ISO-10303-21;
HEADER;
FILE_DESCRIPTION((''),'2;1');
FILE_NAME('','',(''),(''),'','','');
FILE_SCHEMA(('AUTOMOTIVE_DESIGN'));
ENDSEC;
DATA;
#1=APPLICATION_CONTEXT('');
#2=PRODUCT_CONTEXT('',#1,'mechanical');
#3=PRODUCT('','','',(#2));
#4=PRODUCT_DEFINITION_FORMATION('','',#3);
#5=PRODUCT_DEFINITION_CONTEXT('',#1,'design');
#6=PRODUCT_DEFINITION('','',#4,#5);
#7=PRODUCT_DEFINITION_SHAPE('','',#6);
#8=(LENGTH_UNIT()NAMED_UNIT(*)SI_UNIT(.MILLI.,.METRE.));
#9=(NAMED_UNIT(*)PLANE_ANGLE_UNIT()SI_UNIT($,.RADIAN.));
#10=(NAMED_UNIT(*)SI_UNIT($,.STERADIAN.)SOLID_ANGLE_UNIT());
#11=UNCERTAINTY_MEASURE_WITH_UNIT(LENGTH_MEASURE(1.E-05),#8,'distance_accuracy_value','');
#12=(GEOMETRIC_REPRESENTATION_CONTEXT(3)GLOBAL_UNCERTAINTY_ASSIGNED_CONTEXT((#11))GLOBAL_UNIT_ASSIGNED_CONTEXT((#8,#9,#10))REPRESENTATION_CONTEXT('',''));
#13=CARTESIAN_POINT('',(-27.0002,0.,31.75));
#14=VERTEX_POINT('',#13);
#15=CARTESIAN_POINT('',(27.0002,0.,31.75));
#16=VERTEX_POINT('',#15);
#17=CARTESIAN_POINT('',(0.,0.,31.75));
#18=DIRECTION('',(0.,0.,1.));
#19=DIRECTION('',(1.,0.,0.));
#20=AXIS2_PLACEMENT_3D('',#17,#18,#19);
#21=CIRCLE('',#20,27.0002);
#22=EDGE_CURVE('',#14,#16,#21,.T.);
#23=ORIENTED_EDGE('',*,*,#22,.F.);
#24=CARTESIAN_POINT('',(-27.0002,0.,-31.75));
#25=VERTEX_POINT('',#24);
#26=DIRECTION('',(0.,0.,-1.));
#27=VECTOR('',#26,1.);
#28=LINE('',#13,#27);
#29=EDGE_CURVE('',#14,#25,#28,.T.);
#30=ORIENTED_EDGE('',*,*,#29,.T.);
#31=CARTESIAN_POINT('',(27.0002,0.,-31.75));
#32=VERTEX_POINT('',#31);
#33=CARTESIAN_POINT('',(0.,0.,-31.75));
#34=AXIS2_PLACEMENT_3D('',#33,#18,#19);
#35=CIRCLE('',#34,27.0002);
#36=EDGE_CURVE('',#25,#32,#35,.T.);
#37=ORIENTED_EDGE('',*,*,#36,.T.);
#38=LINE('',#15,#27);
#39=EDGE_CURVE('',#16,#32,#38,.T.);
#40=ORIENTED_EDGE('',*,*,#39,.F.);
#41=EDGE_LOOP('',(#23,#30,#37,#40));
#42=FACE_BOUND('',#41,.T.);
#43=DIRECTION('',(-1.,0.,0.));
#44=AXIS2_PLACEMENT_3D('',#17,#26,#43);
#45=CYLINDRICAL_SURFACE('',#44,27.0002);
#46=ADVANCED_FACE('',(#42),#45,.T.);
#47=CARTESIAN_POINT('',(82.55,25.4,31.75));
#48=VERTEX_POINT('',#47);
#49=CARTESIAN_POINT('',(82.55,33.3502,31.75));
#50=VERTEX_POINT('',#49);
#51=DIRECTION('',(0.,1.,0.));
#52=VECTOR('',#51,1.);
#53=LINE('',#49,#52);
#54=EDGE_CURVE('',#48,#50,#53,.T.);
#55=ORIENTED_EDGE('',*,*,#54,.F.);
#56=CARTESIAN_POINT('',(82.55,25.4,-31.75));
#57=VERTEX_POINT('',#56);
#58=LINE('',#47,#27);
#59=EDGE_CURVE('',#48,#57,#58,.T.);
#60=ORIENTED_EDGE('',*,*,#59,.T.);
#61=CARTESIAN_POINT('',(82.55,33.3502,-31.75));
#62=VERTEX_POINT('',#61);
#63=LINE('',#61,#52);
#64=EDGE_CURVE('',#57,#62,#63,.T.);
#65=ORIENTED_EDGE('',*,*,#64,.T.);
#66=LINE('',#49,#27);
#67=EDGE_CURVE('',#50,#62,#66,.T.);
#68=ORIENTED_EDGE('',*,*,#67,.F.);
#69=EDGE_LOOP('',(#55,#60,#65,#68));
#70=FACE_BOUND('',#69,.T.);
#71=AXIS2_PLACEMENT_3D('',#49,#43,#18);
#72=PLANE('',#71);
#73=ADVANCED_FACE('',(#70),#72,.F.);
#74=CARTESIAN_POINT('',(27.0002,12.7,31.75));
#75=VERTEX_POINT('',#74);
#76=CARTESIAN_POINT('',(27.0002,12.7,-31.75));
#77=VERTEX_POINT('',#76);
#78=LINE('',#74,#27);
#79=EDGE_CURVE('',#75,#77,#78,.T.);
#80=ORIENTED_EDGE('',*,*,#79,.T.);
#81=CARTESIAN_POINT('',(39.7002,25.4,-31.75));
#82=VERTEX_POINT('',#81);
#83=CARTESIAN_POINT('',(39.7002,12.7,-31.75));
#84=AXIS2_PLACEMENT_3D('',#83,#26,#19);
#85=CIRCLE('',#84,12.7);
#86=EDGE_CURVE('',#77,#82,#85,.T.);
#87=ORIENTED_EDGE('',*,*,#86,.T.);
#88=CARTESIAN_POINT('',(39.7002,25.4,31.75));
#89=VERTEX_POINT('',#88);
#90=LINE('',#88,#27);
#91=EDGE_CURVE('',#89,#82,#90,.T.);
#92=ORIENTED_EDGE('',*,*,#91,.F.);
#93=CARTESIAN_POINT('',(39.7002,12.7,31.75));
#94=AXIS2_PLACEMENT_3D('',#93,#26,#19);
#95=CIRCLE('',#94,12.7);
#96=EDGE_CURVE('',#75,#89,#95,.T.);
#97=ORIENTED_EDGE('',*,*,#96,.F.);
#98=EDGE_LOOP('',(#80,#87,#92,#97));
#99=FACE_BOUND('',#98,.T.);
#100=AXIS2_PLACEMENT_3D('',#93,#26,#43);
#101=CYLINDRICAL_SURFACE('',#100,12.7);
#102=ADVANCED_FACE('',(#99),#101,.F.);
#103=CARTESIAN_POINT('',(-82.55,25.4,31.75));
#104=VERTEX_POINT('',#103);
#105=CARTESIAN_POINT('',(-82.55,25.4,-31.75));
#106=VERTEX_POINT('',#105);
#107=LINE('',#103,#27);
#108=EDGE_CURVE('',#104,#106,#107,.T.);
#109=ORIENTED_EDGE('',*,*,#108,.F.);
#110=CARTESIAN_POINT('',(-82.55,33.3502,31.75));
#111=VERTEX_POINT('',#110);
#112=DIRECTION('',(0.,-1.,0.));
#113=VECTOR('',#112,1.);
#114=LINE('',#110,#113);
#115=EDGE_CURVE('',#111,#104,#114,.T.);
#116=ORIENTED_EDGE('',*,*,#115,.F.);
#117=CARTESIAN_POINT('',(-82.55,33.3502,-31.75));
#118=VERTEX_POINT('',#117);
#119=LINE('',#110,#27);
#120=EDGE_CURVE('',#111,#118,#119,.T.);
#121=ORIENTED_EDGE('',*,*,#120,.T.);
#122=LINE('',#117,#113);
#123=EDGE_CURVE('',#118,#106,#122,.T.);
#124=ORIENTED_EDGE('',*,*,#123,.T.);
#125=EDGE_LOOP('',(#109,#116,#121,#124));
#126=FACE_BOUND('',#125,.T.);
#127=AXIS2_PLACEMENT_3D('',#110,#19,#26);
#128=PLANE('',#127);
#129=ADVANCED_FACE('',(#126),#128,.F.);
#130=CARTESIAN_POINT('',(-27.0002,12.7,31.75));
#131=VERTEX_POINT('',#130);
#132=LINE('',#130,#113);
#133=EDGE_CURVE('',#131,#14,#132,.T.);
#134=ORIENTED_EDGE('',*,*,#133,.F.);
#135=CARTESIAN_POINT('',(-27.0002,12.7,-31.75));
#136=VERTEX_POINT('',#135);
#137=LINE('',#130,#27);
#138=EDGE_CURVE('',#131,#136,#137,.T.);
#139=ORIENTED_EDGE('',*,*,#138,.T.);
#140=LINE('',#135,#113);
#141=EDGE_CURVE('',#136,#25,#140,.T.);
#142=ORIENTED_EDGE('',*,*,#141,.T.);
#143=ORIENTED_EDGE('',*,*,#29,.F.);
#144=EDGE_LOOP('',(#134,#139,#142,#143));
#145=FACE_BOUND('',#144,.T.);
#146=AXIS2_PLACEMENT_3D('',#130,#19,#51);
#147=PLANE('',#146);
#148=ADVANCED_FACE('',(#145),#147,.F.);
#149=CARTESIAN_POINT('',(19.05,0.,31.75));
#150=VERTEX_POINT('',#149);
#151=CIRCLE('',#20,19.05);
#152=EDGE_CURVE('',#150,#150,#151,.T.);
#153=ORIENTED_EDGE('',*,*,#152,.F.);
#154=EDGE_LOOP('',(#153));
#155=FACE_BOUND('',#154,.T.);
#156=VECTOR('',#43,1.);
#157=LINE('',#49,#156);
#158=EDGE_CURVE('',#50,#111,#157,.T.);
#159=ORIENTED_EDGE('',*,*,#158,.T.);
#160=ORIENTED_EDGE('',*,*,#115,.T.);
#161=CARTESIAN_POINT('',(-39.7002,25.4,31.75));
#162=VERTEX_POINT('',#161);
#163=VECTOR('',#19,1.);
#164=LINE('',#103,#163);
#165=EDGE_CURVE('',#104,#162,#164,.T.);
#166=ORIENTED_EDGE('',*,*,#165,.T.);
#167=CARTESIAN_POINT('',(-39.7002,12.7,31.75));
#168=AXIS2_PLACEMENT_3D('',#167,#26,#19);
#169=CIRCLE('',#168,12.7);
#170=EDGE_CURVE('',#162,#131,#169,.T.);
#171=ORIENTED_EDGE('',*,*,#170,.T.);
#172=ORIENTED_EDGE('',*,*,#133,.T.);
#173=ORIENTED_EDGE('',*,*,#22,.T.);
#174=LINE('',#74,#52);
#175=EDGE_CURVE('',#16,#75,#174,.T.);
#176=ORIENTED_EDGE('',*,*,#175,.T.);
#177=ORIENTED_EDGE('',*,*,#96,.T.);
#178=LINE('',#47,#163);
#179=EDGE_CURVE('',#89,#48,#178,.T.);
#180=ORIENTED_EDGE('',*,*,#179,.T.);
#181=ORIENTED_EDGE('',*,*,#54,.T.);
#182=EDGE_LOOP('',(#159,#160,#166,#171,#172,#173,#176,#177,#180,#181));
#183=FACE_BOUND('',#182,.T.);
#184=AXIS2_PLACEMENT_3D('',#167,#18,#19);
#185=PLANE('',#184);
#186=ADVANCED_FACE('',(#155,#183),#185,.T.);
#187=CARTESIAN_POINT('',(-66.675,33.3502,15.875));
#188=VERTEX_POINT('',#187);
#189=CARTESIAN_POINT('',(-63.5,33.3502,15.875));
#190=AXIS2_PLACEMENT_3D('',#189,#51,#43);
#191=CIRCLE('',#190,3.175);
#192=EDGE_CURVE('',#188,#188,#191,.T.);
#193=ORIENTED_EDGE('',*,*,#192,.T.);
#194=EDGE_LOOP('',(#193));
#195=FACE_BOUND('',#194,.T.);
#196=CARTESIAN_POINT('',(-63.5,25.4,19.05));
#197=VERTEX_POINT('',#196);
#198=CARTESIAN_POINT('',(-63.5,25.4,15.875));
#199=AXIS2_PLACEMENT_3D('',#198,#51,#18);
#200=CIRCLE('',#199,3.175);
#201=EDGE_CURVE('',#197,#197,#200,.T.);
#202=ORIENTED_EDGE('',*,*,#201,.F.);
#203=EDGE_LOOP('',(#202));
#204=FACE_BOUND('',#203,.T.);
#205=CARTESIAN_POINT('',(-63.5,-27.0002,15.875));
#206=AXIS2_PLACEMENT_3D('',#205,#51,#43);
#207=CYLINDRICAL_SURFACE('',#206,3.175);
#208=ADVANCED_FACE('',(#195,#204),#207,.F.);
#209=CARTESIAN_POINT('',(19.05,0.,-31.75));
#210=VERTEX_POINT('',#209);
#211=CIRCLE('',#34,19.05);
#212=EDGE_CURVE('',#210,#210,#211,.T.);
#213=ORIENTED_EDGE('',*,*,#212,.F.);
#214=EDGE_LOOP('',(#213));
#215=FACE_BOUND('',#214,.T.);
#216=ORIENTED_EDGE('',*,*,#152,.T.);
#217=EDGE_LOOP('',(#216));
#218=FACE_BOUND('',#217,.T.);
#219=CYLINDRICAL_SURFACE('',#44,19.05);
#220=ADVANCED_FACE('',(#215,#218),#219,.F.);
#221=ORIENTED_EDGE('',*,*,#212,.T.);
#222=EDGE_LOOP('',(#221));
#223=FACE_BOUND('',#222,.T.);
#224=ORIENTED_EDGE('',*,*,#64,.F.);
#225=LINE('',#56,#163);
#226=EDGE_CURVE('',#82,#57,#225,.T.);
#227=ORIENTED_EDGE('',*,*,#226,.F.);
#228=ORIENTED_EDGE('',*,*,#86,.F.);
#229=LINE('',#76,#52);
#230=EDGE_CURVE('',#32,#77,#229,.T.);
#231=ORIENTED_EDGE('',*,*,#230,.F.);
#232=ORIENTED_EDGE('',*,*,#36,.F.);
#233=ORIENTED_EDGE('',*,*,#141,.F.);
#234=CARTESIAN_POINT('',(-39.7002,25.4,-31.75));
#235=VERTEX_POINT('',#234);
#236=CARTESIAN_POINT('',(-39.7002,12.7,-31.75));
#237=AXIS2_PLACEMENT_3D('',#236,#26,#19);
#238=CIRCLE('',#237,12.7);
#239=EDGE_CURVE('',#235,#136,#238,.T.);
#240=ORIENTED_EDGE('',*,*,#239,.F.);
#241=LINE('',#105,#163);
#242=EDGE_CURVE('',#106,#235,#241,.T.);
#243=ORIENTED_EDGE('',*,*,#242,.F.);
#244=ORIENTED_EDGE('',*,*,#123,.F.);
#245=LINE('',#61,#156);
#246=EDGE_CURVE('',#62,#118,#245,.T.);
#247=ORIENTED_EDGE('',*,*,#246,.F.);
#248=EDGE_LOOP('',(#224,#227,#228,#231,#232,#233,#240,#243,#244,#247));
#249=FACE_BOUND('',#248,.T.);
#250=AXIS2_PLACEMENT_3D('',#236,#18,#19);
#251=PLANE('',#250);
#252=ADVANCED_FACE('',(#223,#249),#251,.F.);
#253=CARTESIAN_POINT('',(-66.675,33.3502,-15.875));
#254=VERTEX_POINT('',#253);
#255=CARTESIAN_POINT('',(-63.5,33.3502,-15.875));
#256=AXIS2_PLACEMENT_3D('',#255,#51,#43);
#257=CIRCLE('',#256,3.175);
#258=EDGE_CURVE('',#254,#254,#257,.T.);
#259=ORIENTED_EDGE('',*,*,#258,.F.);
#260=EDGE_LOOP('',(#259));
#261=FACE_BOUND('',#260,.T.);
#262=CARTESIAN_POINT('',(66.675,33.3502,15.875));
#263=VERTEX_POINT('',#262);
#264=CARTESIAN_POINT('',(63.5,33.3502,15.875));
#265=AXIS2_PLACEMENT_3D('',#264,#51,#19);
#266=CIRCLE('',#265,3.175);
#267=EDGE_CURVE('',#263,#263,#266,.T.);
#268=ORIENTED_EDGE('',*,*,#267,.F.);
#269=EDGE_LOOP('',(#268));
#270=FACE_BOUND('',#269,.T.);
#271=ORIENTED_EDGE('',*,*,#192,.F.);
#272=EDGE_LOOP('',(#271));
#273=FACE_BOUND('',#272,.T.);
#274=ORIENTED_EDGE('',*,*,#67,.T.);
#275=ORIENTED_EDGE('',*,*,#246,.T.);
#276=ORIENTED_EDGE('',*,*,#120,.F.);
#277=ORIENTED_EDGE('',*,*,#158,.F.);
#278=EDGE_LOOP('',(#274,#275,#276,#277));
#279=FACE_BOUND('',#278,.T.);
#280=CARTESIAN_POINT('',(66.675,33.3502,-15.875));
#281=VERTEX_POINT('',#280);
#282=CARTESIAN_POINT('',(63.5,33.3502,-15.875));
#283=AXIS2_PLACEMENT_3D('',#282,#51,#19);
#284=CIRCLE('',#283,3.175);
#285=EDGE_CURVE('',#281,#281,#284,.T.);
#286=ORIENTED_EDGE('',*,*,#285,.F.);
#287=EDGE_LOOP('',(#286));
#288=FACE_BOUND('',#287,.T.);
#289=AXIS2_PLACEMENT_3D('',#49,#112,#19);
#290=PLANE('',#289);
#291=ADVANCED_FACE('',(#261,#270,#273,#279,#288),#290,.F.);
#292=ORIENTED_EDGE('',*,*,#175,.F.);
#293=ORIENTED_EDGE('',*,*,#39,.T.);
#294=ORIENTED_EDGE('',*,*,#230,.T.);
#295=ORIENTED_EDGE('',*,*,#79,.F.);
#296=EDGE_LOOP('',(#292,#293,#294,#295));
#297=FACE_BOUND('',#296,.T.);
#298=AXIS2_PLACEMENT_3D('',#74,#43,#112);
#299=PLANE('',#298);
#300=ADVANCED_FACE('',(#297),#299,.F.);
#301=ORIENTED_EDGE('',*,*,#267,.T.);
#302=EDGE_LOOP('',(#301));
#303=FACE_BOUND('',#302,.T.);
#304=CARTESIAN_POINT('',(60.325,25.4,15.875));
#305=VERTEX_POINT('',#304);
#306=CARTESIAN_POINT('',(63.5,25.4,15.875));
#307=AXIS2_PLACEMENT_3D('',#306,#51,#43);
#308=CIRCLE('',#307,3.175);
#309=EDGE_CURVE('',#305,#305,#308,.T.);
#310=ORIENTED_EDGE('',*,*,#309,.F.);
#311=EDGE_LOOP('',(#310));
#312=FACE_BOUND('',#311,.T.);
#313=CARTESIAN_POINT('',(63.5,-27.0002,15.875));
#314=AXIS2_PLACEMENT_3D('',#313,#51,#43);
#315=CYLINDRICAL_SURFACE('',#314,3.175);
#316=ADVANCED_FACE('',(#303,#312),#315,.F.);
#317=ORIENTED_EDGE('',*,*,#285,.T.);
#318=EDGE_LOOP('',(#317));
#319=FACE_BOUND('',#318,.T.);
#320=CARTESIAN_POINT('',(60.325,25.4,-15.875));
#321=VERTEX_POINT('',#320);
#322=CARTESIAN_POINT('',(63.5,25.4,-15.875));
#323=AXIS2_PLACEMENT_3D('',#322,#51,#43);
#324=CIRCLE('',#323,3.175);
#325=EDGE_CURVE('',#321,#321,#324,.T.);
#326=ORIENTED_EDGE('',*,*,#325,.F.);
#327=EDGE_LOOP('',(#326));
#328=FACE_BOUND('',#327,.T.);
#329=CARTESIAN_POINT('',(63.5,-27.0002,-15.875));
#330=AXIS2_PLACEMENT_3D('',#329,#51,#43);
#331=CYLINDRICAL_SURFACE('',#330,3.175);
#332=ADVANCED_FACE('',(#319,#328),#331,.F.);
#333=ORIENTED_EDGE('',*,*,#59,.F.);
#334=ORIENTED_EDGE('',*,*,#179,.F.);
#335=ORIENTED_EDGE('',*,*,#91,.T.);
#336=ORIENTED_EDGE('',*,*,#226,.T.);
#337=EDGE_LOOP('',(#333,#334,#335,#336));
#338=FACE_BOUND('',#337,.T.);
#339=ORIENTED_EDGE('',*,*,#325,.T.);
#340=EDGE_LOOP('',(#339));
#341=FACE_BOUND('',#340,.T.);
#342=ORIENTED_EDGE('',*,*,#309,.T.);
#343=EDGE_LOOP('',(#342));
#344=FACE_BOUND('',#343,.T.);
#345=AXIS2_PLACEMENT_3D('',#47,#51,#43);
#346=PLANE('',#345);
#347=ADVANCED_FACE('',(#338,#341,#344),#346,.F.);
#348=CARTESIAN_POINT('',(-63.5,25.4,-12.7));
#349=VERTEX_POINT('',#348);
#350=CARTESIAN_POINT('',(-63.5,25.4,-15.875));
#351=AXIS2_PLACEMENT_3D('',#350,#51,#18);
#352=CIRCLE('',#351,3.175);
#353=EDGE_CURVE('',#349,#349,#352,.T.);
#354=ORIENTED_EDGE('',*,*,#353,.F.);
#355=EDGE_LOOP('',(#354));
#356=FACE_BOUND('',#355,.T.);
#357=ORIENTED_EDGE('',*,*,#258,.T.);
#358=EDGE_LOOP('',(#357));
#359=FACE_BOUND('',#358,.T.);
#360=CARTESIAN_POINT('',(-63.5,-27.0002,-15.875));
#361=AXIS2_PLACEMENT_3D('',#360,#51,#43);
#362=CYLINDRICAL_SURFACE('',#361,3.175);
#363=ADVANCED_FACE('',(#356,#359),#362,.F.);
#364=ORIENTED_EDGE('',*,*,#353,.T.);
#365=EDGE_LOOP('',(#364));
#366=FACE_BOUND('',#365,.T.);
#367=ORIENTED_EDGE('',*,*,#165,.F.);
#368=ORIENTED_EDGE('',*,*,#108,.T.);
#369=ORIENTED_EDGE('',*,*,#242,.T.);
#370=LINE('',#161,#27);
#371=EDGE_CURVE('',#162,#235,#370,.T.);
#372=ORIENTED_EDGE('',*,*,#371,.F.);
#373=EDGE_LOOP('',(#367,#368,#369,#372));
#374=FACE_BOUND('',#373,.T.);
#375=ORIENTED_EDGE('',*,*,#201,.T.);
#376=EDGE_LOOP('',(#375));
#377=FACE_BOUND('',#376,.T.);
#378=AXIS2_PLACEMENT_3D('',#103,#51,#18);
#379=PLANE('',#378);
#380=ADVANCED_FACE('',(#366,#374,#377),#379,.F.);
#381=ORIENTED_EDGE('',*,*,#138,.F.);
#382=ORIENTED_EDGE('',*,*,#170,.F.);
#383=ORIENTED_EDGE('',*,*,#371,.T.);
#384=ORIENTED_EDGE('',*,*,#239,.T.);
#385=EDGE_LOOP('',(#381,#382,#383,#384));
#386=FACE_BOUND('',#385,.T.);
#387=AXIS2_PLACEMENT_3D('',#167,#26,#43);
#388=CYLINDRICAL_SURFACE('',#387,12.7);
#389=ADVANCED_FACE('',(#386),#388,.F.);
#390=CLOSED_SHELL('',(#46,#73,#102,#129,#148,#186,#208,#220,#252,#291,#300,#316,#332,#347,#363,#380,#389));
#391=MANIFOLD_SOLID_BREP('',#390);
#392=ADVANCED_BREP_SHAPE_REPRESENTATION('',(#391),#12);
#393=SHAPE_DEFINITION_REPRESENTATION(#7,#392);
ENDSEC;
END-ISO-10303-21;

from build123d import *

# Parameters (mm, degrees)
SKETCH1_R           = 19.05
BOSS_EXTRUDE1_DEPTH = 31.75
SKETCH2_R           = 3.175
CUT_EXTRUDE1_DEPTH  = 108.073506434


with BuildPart() as part:
    # Sketch1 → Boss-Extrude1 (new, symmetric)
    with BuildSketch(Plane.XY):
        with BuildLine():
            Line((-82.55, 33.3502), (-82.55, 25.4))
            Line((-82.55, 25.4), (-39.7002, 25.4))
            ThreePointArc((-39.7002, 25.4), (-30.719943879, 21.680256121), (-27.0002, 12.7))
            Line((-27.0002, 12.7), (-27.0002, 0))
            ThreePointArc((-27.0002, 0), (0, -27.0002), (27.0002, 0))
            Line((27.0002, 0), (27.0002, 12.7))
            ThreePointArc((27.0002, 12.7), (30.719943879, 21.680256121), (39.7002, 25.4))
            Line((39.7002, 25.4), (82.55, 25.4))
            Line((82.55, 25.4), (82.55, 33.3502))
            Line((82.55, 33.3502), (-82.55, 33.3502))
        make_face()
        Circle(SKETCH1_R, mode=Mode.SUBTRACT)
    extrude(amount=BOSS_EXTRUDE1_DEPTH, both=True)

    # Sketch2 → Cut-Extrude1 (cut, through all)
    with BuildSketch(Plane(origin=(0, 33.3502, 0), x_dir=(1, 0, 0), z_dir=(0, 1, 0))):
        with Locations(Location((-63.5, 15.875, 0), (0, 0, 180))):
            Circle(SKETCH2_R)
        with Locations(Location((-63.5, -15.875, 0), (0, 0, 180))):
            Circle(SKETCH2_R)
        with Locations(Location((63.5, -15.875, 0), (0, 0, 180))):
            Circle(SKETCH2_R)
        with Locations(Location((63.5, 15.875, 0), (0, 0, 180))):
            Circle(SKETCH2_R)
    extrude(amount=-CUT_EXTRUDE1_DEPTH, mode=Mode.SUBTRACT)


solid = part.part
